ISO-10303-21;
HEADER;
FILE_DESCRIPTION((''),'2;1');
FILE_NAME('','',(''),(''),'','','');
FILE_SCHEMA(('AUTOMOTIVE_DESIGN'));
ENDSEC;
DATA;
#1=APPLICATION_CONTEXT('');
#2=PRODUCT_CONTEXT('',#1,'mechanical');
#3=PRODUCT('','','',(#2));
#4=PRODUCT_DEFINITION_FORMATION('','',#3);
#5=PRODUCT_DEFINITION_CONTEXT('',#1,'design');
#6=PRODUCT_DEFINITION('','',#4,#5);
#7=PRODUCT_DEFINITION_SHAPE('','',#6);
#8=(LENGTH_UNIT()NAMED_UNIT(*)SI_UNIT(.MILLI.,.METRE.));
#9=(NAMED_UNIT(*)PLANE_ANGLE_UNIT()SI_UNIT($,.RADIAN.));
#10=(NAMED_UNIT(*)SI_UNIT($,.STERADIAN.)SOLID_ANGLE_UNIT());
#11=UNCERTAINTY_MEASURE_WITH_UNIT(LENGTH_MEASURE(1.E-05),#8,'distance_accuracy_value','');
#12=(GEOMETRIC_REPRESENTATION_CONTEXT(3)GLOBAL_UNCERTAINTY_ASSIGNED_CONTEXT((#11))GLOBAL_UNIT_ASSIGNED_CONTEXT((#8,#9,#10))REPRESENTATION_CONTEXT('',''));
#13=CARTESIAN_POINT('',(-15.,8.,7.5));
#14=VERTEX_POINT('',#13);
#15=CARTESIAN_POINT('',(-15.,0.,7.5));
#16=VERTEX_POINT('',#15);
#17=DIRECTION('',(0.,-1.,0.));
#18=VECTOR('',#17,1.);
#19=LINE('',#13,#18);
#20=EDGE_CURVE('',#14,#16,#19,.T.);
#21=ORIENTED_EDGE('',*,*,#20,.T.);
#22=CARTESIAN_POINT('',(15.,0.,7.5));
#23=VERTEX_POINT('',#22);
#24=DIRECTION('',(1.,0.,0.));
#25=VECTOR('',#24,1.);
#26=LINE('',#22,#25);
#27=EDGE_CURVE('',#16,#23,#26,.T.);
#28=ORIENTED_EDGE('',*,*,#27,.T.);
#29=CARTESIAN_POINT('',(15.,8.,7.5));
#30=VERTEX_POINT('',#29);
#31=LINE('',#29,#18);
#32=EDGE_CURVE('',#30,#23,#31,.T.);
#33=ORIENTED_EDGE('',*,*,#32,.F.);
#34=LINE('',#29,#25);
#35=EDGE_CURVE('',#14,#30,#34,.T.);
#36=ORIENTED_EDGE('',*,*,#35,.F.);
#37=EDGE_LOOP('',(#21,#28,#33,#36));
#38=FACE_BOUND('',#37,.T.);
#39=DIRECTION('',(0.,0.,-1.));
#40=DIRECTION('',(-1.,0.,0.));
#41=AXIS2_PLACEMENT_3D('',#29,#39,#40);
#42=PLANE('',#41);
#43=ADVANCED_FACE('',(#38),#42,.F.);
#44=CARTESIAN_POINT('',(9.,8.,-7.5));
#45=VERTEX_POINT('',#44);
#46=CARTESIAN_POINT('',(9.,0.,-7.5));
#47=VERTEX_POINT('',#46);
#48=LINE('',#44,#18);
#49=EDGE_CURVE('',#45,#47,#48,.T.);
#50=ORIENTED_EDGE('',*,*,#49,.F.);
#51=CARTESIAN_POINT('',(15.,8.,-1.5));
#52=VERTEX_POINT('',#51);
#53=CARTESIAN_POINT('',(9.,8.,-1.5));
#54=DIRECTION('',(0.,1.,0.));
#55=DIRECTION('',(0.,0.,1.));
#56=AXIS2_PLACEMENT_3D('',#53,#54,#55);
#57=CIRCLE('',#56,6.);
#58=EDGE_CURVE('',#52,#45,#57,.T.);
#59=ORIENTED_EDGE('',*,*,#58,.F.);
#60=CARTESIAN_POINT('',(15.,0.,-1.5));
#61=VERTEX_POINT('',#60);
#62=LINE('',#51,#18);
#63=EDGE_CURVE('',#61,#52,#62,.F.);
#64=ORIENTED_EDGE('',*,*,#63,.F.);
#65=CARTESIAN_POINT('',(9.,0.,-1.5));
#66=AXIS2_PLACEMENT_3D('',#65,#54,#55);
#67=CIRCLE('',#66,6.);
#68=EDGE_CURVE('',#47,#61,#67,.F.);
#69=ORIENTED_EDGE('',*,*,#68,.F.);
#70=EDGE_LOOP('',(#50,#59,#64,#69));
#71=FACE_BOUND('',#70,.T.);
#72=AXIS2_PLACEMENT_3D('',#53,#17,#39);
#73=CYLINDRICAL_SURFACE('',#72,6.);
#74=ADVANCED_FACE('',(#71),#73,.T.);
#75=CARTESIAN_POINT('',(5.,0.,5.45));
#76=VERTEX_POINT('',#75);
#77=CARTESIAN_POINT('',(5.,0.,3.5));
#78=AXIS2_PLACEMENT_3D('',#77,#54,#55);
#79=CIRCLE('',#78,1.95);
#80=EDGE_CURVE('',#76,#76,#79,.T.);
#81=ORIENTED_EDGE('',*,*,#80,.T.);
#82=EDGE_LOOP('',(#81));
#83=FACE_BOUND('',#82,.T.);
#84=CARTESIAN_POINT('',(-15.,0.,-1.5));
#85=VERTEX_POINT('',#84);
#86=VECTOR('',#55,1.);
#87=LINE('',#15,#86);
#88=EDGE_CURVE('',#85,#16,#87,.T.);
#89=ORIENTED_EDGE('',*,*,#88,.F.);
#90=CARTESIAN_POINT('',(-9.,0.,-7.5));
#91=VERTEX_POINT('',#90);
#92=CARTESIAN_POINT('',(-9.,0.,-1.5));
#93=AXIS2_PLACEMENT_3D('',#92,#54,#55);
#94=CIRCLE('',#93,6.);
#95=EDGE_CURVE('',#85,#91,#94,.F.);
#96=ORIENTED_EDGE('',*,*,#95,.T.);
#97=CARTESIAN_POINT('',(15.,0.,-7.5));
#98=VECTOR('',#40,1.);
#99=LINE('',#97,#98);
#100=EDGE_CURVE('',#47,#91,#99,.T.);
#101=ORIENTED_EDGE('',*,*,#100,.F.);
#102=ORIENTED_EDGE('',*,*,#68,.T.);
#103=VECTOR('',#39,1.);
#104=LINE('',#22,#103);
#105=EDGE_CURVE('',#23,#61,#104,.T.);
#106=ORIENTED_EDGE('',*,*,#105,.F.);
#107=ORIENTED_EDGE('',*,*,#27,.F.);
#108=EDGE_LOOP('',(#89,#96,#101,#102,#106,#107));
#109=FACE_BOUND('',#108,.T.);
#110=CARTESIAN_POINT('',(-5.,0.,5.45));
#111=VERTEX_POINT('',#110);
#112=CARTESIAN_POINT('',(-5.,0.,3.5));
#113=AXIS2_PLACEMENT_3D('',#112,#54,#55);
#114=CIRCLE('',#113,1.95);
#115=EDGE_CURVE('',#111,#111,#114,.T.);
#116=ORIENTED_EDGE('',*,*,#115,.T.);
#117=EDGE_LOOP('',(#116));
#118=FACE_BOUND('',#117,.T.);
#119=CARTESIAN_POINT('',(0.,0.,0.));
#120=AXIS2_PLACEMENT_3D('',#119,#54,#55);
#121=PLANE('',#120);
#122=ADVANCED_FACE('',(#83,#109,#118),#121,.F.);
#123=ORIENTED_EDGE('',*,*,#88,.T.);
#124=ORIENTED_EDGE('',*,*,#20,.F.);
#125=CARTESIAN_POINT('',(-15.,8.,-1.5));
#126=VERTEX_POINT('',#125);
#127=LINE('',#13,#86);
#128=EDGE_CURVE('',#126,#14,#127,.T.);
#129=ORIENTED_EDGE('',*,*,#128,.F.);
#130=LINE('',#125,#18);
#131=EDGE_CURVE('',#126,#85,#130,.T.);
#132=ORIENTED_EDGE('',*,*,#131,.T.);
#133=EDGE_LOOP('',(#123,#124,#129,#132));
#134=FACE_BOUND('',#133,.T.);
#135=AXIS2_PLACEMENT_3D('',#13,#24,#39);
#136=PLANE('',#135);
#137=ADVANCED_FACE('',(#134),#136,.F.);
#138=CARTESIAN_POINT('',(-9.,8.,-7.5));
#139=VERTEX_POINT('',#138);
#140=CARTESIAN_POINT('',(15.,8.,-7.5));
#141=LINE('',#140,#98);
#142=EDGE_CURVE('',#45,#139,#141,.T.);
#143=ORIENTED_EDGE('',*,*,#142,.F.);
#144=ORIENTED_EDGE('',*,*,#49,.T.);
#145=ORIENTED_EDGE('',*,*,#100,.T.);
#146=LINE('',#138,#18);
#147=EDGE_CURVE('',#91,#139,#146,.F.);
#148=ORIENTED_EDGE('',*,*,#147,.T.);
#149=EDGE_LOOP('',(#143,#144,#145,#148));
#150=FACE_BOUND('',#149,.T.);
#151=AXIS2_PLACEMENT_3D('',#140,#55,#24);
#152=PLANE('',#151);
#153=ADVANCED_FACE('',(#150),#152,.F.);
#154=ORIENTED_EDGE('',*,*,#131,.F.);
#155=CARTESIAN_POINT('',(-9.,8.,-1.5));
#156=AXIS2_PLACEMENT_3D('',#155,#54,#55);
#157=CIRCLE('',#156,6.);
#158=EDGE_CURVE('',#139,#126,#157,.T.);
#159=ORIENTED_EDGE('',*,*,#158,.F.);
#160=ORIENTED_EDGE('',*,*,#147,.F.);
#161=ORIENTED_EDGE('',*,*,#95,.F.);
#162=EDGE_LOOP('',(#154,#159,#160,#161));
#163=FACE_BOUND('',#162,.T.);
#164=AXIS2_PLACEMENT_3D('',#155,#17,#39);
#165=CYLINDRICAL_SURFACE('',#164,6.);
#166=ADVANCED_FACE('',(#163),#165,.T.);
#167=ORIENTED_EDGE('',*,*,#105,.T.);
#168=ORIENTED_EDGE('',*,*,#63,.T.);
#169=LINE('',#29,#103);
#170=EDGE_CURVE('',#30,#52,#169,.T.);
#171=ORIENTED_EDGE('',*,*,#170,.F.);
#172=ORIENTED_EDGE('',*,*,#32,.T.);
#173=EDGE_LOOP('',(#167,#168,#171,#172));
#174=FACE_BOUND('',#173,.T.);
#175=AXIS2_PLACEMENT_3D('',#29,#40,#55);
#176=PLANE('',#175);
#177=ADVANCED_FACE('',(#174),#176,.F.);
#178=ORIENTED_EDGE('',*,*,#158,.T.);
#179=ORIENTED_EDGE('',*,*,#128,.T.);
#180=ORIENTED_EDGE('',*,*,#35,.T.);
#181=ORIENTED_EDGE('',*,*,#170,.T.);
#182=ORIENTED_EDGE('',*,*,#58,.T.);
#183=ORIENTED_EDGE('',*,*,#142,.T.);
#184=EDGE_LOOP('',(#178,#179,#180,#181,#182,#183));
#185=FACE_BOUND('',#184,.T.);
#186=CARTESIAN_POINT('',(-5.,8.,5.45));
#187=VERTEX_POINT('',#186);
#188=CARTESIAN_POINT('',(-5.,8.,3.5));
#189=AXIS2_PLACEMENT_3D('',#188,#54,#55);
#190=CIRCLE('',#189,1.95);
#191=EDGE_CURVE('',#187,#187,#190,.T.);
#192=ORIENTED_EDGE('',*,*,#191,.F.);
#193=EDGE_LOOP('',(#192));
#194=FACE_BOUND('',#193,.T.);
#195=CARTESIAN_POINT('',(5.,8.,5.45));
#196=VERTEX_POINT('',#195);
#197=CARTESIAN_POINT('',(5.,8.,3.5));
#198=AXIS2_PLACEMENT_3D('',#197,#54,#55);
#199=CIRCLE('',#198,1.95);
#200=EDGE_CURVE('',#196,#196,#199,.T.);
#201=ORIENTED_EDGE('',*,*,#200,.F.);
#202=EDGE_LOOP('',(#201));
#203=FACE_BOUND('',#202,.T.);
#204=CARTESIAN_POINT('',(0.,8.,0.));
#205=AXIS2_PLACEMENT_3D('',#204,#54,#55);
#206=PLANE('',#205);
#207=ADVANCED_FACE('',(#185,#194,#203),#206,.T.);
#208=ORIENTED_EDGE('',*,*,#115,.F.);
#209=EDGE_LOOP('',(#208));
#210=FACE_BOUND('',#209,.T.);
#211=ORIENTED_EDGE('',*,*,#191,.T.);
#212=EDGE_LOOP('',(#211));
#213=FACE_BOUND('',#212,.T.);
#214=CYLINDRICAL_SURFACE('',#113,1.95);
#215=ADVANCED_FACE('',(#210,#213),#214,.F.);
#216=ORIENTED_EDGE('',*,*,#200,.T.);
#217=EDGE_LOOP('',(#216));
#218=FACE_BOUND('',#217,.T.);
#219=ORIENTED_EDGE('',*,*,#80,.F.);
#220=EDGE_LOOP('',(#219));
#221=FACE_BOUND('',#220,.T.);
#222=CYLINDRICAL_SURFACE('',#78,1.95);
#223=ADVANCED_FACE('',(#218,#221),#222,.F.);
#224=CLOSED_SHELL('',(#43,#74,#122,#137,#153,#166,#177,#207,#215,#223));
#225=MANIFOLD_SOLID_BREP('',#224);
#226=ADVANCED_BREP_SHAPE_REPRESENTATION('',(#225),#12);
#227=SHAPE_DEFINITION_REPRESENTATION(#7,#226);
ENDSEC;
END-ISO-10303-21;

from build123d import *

# Parameters (mm, degrees)
SKETCH_1_W          = 30
SKETCH_1_H          = 15
EXTRUDE_1_DEPTH     = 8
FILLET_1_R          = 6
SKETCH_2_R          = 1.95
CUT_EXTRUDE_1_DEPTH = 19.580904176


with BuildPart() as part:
    # Эскиз1 → Бобышка-Вытянуть1 (new body)
    with BuildSketch(Plane(origin=(0, 0, 0), x_dir=(1, 0, 0), z_dir=(0, 1, 0))):
        Rectangle(SKETCH_1_W, SKETCH_1_H)
    extrude(amount=EXTRUDE_1_DEPTH)

    # Скругление1
    fillet_1_edges = [part.edges().sort_by_distance(p)[0] for p in [
        (-15, 4, -7.5),
        (15, 4, -7.5),
    ]]
    fillet(fillet_1_edges, radius=FILLET_1_R)

    # Эскиз2 → Вырез-Вытянуть1 (cut, through all)
    with BuildSketch(Plane(origin=(0, 8, 0), x_dir=(1, 0, 0), z_dir=(0, 1, 0))):
        with Locations(Location((-5, -3.5, 0), (0, 0, 270))):
            Circle(SKETCH_2_R)
        with Locations(Location((5, -3.5, 0), (0, 0, 270))):
            Circle(SKETCH_2_R)
    extrude(amount=-CUT_EXTRUDE_1_DEPTH, mode=Mode.SUBTRACT)


solid = part.part
